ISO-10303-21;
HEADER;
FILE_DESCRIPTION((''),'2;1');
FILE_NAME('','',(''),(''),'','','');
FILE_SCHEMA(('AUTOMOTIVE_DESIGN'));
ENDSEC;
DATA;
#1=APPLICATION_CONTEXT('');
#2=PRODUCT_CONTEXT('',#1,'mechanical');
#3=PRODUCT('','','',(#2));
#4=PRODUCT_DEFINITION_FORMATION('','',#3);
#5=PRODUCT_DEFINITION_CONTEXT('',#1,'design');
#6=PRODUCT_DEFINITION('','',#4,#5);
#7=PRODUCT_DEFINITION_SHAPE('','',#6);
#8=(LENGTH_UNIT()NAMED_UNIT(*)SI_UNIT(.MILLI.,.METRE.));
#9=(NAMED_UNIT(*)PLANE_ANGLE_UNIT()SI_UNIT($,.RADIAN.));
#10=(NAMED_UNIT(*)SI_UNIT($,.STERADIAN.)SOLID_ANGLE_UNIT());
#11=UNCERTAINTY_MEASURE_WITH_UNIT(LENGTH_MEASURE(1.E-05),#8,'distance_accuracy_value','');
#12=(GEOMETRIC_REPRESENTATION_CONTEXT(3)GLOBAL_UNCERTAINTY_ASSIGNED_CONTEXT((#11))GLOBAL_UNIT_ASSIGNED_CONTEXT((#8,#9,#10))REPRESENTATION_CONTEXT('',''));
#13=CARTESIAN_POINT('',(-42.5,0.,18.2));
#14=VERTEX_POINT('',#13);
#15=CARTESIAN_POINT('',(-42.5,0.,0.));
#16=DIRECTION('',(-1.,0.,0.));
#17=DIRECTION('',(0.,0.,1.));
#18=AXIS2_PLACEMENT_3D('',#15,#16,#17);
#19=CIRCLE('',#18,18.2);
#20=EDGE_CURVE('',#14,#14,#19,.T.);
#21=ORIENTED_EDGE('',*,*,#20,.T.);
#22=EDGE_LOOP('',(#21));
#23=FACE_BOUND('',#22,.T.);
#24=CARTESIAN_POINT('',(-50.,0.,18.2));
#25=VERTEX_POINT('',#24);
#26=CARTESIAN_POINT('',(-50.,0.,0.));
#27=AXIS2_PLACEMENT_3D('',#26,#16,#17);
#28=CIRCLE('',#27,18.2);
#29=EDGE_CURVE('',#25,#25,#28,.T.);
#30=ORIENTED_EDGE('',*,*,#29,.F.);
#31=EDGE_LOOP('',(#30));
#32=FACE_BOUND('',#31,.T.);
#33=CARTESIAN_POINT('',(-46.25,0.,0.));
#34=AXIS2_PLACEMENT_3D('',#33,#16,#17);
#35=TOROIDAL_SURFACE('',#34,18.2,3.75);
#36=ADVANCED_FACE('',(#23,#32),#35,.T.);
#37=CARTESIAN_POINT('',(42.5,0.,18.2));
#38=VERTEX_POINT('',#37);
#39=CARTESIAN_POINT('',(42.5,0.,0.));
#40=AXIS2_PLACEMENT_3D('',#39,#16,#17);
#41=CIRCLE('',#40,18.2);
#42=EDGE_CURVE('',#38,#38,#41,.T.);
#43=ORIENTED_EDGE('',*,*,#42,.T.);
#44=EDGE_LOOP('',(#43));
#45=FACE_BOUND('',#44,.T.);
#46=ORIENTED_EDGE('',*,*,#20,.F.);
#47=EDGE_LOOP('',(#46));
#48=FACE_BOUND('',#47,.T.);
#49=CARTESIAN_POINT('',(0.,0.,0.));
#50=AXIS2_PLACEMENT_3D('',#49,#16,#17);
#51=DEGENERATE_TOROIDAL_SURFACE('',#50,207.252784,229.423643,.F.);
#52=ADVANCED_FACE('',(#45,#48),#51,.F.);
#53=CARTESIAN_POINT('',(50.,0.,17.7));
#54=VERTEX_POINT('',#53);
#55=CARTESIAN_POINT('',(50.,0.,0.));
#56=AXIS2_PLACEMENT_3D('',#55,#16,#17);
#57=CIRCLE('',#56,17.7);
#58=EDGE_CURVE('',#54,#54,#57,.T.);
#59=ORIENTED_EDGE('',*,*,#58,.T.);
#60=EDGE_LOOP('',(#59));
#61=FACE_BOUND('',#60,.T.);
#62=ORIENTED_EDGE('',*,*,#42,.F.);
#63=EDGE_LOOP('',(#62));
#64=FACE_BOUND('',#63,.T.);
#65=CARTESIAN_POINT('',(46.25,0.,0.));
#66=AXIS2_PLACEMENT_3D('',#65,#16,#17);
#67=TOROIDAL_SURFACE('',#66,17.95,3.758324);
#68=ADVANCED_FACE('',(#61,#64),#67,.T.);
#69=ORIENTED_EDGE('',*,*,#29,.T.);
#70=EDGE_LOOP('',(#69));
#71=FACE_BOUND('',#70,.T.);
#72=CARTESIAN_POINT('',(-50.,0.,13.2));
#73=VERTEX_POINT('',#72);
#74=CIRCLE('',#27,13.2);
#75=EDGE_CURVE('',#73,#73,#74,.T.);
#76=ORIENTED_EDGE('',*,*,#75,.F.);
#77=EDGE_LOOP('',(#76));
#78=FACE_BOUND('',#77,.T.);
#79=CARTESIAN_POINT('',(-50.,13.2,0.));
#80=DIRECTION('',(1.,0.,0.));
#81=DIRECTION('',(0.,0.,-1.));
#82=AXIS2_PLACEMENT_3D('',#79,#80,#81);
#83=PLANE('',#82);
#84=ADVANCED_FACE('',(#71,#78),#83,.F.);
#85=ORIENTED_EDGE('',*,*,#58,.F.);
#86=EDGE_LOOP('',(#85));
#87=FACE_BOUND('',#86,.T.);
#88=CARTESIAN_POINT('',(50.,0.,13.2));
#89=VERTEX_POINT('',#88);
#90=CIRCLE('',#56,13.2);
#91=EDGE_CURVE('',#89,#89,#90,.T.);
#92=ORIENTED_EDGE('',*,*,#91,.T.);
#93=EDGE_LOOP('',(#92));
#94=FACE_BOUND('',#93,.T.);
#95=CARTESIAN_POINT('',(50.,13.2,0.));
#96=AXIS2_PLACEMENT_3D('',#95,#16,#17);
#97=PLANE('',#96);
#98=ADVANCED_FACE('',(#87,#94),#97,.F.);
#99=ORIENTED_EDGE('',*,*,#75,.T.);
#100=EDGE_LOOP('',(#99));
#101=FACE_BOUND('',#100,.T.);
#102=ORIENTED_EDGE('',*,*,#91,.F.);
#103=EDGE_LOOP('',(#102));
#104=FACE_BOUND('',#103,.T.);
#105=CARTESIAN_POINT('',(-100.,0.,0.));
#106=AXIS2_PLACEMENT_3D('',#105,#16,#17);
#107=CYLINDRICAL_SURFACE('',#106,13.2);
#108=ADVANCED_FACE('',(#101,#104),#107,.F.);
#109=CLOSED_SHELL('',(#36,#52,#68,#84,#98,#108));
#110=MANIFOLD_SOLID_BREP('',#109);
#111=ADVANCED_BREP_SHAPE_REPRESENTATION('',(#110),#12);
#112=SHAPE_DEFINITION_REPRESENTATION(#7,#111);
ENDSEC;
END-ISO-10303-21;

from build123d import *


with BuildPart() as part:
    # Sketch1 → Revolve1 (revolve)
    with BuildSketch(Plane.XY, mode=Mode.PRIVATE) as revolve1_sk:
        with BuildLine():
            Line((-50, 13.2), (50, 13.2))
            Line((50, 13.2), (50, 17.7))
            ThreePointArc((50, 17.7), (46.5, 21.7), (42.5, 18.2))
            ThreePointArc((42.5, 18.2), (0, 22.170858661), (-42.5, 18.2))
            ThreePointArc((-42.5, 18.2), (-46.25, 21.95), (-50, 18.2))
            Line((-50, 18.2), (-50, 13.2))
        make_face()
    revolve(revolve1_sk.sketch.rotate(Axis((-100, 0, 0), (1, 0, 0)), 90), axis=Axis((-100, 0, 0), (1, 0, 0)))


solid = part.part
